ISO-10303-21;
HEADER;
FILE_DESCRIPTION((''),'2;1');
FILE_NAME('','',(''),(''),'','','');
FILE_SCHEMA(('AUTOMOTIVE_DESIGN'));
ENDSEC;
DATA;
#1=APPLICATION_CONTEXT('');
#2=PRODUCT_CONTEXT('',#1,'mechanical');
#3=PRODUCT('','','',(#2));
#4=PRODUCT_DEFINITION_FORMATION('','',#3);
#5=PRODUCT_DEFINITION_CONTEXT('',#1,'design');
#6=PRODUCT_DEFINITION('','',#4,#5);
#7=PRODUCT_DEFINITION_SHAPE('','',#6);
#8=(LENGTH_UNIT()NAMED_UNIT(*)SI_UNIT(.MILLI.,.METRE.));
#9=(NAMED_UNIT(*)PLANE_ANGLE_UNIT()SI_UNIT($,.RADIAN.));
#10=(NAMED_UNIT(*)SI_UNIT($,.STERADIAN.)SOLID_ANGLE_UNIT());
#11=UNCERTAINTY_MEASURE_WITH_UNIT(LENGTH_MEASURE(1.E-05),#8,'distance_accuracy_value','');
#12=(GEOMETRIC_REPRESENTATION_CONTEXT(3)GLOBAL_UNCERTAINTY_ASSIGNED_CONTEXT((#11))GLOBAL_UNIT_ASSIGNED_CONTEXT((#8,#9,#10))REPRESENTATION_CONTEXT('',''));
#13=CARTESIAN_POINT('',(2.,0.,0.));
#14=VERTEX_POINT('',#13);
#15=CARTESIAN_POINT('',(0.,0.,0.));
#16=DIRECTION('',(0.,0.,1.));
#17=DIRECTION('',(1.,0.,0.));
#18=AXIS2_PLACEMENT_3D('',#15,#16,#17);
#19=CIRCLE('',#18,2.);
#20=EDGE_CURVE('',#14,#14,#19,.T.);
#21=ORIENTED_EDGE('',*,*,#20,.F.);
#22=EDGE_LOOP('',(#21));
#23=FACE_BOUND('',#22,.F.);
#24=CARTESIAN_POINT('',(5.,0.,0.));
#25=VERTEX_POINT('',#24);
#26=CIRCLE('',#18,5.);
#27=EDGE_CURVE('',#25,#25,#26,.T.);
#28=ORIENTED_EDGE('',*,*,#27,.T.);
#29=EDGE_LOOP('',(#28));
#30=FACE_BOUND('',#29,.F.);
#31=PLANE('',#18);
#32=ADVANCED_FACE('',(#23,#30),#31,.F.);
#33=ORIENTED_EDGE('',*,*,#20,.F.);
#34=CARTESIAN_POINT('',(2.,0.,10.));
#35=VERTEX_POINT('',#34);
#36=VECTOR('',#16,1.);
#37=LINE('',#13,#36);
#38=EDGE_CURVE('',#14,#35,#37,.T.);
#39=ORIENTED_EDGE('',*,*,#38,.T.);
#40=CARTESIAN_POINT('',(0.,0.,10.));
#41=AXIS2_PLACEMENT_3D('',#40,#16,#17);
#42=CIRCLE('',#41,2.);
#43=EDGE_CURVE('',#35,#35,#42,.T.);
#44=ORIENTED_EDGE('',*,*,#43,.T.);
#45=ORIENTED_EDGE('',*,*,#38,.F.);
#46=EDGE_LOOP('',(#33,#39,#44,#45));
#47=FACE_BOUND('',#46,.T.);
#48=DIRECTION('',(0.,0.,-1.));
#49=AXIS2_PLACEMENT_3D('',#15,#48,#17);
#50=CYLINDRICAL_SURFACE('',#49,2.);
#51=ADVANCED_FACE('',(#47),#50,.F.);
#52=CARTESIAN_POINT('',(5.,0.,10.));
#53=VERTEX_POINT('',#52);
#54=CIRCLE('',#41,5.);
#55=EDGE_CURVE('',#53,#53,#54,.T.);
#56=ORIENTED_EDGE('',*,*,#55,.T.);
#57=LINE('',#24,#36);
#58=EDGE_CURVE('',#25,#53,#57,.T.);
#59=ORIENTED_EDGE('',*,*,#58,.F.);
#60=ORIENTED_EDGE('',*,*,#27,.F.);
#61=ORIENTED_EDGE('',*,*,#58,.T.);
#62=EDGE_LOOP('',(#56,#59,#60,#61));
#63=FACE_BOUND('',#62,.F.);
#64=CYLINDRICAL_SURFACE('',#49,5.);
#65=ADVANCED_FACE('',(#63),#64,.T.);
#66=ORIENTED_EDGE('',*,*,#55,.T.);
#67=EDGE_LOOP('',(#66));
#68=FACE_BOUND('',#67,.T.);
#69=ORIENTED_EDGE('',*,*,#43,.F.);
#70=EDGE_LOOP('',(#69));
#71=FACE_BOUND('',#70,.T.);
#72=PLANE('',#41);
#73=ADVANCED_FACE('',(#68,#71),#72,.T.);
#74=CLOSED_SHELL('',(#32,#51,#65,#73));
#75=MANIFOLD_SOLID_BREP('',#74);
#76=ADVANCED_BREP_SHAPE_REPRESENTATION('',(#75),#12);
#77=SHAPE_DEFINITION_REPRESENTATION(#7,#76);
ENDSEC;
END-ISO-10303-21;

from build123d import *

# Parameters (mm, degrees)
ESBO_O1_R                = 5
ESBO_O1_R_2              = 2
RESSALTO_EXTRUS_O1_DEPTH = 10


with BuildPart() as part:
    # Esboço1 → Ressalto-extrusão1 (new body)
    with BuildSketch(Plane.XY):
        Circle(ESBO_O1_R)
        Circle(ESBO_O1_R_2, mode=Mode.SUBTRACT)
    extrude(amount=RESSALTO_EXTRUS_O1_DEPTH)


solid = part.part
